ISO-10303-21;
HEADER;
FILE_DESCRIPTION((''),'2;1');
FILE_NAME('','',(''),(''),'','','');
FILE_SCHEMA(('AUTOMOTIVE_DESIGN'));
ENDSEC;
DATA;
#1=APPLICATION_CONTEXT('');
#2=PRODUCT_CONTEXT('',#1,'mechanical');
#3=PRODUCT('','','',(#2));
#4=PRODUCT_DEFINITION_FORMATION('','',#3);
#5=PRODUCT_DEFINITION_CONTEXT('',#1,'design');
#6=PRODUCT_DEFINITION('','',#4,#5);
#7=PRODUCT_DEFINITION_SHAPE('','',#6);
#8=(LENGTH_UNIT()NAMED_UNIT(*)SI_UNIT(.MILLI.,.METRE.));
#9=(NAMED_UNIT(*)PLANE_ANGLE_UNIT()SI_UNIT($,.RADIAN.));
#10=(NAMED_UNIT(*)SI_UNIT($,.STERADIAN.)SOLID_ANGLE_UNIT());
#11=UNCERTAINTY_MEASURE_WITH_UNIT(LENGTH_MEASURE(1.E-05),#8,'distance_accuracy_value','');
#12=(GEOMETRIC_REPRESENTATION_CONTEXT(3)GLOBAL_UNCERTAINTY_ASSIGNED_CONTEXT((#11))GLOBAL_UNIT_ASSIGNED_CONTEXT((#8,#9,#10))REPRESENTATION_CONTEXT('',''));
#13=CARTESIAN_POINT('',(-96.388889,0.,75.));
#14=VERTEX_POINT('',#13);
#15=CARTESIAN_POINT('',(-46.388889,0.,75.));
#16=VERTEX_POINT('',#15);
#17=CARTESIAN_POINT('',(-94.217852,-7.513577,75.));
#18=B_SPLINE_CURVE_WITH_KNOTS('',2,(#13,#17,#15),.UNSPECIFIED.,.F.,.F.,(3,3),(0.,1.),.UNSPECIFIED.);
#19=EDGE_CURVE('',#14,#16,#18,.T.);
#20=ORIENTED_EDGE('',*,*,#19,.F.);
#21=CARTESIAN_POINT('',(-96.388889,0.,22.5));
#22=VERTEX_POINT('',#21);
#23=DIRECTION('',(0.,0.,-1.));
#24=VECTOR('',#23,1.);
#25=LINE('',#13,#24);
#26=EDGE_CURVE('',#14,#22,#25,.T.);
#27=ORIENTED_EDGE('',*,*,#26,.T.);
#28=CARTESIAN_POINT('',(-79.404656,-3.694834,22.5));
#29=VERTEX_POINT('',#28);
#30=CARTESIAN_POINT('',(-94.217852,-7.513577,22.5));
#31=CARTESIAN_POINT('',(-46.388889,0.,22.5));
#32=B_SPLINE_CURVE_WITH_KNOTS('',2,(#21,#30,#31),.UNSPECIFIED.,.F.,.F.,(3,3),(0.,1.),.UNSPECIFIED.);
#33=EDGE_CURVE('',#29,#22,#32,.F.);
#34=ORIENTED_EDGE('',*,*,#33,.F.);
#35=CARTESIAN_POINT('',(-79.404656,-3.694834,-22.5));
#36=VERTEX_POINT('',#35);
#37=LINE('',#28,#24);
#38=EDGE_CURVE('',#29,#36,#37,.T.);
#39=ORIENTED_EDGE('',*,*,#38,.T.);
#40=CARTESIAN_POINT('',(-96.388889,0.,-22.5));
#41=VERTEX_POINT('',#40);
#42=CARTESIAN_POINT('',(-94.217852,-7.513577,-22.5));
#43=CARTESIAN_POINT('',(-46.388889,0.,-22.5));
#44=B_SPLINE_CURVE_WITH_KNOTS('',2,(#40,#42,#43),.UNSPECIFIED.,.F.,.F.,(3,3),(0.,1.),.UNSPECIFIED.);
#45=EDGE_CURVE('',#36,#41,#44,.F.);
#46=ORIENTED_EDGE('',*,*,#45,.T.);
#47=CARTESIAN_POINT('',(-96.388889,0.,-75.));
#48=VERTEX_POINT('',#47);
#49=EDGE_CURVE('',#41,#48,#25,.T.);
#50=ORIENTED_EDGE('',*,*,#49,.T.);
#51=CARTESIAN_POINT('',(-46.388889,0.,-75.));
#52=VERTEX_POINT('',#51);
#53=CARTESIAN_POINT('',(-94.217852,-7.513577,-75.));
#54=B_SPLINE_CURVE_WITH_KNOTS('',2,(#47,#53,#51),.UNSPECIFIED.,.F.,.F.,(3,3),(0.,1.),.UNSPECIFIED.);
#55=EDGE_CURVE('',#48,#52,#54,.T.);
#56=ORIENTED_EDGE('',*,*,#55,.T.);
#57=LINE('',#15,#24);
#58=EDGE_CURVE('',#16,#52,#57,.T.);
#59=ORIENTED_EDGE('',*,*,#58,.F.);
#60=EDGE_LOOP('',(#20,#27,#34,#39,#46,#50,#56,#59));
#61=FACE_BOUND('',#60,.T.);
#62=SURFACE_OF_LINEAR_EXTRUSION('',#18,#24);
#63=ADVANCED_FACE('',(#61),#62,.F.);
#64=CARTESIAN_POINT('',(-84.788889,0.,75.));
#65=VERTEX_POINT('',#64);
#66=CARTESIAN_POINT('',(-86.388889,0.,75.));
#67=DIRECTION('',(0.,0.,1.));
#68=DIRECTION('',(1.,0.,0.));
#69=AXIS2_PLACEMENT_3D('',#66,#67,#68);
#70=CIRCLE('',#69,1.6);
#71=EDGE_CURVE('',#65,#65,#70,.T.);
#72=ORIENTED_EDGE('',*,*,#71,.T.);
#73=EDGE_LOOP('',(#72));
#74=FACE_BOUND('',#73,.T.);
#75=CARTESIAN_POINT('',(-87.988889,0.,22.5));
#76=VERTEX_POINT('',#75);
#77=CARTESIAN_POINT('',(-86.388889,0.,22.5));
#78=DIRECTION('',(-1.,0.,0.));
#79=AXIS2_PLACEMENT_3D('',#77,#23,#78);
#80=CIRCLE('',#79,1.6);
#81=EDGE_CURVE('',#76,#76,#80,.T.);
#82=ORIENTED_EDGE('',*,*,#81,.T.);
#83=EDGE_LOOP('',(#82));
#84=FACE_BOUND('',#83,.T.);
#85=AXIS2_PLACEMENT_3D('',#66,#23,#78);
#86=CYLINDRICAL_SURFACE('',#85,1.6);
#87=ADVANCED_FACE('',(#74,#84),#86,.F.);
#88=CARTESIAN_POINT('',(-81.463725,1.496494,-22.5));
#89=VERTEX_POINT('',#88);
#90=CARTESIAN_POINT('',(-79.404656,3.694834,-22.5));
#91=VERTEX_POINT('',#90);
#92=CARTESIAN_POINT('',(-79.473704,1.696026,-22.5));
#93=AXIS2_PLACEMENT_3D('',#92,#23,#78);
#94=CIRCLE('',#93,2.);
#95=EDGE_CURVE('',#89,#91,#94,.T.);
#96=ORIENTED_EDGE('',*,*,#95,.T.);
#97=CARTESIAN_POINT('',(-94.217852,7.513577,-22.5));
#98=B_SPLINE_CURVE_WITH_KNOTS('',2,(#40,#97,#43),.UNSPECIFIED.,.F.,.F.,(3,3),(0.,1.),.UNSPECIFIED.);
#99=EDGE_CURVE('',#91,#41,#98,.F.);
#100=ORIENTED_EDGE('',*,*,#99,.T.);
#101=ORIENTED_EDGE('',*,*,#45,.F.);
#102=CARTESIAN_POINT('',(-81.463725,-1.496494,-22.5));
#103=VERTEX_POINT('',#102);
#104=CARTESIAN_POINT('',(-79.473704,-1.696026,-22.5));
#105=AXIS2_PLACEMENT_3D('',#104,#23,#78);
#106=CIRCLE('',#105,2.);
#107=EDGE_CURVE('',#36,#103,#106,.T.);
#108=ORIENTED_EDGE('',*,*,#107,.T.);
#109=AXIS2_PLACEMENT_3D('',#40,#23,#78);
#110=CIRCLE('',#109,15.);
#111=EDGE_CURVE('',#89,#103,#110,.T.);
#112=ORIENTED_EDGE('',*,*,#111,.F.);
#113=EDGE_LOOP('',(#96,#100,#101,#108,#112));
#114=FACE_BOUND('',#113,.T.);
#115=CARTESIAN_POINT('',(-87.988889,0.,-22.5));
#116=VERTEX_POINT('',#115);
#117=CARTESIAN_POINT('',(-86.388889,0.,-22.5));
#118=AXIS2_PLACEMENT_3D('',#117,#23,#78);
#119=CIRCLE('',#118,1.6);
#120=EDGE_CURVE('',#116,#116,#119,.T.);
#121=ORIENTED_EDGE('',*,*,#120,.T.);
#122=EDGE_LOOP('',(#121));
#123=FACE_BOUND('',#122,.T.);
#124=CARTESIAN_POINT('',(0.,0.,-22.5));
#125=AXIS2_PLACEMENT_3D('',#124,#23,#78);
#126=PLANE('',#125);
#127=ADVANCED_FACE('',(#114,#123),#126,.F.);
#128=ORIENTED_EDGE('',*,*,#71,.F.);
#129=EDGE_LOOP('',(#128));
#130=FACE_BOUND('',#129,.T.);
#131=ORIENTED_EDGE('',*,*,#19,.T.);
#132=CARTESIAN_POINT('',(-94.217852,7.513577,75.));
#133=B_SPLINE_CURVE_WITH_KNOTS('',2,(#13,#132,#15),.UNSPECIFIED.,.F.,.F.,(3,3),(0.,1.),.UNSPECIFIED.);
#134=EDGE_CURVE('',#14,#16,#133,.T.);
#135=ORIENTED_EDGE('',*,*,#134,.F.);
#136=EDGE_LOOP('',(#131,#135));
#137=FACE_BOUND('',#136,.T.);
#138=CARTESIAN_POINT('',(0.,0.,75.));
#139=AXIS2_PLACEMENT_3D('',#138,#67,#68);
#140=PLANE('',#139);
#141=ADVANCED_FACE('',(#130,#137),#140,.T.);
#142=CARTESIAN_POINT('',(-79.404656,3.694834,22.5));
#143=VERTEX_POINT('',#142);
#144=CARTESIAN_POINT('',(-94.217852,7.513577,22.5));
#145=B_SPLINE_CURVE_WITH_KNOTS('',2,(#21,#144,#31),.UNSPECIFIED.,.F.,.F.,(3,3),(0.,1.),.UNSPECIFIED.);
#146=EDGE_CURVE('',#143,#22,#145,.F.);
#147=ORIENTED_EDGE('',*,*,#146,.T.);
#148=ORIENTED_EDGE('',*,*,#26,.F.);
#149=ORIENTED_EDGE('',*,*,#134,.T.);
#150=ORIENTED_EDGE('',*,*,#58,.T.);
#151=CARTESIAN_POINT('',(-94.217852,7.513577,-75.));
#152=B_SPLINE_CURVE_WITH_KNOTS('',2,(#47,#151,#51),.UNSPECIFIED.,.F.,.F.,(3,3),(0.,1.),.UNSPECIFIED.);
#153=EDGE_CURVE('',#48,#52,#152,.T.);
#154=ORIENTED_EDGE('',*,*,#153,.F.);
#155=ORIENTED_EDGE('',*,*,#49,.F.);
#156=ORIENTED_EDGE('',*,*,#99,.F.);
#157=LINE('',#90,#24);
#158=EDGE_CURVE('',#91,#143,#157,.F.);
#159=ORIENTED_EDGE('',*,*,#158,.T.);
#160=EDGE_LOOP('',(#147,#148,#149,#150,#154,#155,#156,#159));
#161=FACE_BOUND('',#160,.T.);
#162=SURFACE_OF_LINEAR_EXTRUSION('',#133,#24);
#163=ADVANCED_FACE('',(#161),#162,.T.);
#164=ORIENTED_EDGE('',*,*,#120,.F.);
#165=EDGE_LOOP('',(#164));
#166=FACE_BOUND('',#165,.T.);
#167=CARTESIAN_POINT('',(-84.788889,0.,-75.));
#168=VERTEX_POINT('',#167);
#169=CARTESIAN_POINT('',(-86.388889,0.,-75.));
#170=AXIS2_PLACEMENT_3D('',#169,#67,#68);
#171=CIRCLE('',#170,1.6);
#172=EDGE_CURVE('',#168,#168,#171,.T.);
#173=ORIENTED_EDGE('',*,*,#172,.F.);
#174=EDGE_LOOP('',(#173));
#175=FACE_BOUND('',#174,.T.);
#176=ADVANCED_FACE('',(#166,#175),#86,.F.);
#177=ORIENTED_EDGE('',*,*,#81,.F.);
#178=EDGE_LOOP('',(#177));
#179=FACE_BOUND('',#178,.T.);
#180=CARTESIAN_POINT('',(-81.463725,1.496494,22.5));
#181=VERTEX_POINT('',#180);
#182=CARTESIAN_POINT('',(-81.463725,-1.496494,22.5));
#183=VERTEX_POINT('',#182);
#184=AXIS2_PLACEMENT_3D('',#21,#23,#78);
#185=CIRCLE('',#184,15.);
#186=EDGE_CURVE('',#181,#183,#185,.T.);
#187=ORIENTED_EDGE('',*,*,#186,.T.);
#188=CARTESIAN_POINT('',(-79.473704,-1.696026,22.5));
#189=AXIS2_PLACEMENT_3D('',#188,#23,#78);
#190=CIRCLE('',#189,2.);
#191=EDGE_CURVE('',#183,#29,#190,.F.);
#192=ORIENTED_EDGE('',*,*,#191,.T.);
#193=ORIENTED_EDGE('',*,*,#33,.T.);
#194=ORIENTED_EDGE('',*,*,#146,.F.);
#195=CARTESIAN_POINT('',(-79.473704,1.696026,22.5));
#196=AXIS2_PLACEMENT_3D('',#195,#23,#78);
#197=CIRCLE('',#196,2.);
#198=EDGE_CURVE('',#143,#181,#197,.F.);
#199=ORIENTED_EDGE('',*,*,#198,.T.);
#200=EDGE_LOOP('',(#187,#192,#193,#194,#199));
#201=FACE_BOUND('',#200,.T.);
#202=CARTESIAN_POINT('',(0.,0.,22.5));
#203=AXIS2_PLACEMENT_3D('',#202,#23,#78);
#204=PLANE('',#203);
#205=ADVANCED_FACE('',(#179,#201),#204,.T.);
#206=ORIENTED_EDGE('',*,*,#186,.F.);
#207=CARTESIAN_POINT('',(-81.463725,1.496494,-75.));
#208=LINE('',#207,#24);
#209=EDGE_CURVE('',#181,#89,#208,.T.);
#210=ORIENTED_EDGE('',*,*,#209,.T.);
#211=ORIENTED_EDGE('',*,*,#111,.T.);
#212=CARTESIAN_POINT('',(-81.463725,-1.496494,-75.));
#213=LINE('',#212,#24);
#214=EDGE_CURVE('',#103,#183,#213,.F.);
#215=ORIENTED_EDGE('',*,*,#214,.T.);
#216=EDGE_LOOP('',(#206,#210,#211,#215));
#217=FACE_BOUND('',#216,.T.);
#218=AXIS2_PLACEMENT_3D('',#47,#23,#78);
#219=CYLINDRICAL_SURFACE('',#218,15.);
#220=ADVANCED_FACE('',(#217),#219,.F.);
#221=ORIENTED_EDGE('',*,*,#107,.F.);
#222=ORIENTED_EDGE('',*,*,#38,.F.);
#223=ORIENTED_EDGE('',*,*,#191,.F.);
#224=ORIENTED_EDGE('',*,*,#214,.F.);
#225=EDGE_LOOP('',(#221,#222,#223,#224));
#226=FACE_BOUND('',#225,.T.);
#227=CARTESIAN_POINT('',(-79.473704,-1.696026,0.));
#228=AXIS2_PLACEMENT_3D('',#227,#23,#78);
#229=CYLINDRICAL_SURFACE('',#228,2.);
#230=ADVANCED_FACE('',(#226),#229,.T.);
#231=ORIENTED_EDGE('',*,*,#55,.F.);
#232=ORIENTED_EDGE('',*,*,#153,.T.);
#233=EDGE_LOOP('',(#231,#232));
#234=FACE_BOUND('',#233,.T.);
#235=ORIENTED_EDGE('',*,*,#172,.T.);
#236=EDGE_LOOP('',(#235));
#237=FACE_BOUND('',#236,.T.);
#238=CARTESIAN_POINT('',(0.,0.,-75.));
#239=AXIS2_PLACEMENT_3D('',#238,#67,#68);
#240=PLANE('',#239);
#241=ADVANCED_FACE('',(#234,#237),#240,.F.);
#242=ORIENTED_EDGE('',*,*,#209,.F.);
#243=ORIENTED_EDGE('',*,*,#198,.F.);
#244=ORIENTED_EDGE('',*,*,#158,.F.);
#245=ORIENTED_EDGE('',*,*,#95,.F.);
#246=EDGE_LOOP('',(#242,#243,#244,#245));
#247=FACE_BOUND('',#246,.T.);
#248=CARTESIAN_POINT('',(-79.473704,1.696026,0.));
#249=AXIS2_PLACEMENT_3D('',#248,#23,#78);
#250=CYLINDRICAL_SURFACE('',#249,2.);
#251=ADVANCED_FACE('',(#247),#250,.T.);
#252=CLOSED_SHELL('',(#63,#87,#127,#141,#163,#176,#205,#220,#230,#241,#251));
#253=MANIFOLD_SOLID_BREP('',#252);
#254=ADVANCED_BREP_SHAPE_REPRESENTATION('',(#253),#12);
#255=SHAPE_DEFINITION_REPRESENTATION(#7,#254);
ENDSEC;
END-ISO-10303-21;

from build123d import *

# Parameters (mm, degrees)
BOSS_EXTRUDE1_DEPTH      = 75
BOSS_EXTRUDE1_DEPTH_BACK = 75
SKETCH3_R                = 1.6
SKETCH1_W                = 15
SKETCH1_H                = 45
FILLET1_R                = 2


with BuildPart() as part:
    # Sketch3 → Boss-Extrude1 (new, two sides: drawn at the far end of the back side and taken through both)
    with BuildSketch(Plane.XY.offset(-BOSS_EXTRUDE1_DEPTH_BACK)):
        with BuildLine():
            add(Edge.make_bspline(
                [(-96.388888889, 0), (-94.217851925, -7.513577122), (-46.388888889, 0)],
                knots=[0, 0, 0, 1, 1, 1], degree=2))
            add(Edge.make_bspline(
                [(-96.388888889, 0), (-94.217851925, 7.513577122), (-46.388888889, 0)],
                knots=[0, 0, 0, 1, 1, 1], degree=2))
        make_face()
        with Locations((-86.388888889, 0)):
            Circle(SKETCH3_R, mode=Mode.SUBTRACT)
    extrude(amount=BOSS_EXTRUDE1_DEPTH + BOSS_EXTRUDE1_DEPTH_BACK)

    # Sketch1 → Cut-Revolve1 (revolve, cut)
    with BuildSketch(Plane(origin=(0, 0, 0), x_dir=(1, 0, 0), z_dir=(0, 1, 0))):
        with Locations((-88.888888889, 0)):
            Rectangle(SKETCH1_W, SKETCH1_H)
    revolve(axis=Axis((-96.388888889, 0, -75), (0, 0, 1)), mode=Mode.SUBTRACT)

    # Fillet1
    fillet1_edges = [part.edges().sort_by_distance(p)[0] for p in [
        (-81.86563433, -3.751676562, -11.2499997),
        (-81.86563433, 3.751676562, 11.25),
    ]]
    fillet(fillet1_edges, radius=FILLET1_R)


solid = part.part
